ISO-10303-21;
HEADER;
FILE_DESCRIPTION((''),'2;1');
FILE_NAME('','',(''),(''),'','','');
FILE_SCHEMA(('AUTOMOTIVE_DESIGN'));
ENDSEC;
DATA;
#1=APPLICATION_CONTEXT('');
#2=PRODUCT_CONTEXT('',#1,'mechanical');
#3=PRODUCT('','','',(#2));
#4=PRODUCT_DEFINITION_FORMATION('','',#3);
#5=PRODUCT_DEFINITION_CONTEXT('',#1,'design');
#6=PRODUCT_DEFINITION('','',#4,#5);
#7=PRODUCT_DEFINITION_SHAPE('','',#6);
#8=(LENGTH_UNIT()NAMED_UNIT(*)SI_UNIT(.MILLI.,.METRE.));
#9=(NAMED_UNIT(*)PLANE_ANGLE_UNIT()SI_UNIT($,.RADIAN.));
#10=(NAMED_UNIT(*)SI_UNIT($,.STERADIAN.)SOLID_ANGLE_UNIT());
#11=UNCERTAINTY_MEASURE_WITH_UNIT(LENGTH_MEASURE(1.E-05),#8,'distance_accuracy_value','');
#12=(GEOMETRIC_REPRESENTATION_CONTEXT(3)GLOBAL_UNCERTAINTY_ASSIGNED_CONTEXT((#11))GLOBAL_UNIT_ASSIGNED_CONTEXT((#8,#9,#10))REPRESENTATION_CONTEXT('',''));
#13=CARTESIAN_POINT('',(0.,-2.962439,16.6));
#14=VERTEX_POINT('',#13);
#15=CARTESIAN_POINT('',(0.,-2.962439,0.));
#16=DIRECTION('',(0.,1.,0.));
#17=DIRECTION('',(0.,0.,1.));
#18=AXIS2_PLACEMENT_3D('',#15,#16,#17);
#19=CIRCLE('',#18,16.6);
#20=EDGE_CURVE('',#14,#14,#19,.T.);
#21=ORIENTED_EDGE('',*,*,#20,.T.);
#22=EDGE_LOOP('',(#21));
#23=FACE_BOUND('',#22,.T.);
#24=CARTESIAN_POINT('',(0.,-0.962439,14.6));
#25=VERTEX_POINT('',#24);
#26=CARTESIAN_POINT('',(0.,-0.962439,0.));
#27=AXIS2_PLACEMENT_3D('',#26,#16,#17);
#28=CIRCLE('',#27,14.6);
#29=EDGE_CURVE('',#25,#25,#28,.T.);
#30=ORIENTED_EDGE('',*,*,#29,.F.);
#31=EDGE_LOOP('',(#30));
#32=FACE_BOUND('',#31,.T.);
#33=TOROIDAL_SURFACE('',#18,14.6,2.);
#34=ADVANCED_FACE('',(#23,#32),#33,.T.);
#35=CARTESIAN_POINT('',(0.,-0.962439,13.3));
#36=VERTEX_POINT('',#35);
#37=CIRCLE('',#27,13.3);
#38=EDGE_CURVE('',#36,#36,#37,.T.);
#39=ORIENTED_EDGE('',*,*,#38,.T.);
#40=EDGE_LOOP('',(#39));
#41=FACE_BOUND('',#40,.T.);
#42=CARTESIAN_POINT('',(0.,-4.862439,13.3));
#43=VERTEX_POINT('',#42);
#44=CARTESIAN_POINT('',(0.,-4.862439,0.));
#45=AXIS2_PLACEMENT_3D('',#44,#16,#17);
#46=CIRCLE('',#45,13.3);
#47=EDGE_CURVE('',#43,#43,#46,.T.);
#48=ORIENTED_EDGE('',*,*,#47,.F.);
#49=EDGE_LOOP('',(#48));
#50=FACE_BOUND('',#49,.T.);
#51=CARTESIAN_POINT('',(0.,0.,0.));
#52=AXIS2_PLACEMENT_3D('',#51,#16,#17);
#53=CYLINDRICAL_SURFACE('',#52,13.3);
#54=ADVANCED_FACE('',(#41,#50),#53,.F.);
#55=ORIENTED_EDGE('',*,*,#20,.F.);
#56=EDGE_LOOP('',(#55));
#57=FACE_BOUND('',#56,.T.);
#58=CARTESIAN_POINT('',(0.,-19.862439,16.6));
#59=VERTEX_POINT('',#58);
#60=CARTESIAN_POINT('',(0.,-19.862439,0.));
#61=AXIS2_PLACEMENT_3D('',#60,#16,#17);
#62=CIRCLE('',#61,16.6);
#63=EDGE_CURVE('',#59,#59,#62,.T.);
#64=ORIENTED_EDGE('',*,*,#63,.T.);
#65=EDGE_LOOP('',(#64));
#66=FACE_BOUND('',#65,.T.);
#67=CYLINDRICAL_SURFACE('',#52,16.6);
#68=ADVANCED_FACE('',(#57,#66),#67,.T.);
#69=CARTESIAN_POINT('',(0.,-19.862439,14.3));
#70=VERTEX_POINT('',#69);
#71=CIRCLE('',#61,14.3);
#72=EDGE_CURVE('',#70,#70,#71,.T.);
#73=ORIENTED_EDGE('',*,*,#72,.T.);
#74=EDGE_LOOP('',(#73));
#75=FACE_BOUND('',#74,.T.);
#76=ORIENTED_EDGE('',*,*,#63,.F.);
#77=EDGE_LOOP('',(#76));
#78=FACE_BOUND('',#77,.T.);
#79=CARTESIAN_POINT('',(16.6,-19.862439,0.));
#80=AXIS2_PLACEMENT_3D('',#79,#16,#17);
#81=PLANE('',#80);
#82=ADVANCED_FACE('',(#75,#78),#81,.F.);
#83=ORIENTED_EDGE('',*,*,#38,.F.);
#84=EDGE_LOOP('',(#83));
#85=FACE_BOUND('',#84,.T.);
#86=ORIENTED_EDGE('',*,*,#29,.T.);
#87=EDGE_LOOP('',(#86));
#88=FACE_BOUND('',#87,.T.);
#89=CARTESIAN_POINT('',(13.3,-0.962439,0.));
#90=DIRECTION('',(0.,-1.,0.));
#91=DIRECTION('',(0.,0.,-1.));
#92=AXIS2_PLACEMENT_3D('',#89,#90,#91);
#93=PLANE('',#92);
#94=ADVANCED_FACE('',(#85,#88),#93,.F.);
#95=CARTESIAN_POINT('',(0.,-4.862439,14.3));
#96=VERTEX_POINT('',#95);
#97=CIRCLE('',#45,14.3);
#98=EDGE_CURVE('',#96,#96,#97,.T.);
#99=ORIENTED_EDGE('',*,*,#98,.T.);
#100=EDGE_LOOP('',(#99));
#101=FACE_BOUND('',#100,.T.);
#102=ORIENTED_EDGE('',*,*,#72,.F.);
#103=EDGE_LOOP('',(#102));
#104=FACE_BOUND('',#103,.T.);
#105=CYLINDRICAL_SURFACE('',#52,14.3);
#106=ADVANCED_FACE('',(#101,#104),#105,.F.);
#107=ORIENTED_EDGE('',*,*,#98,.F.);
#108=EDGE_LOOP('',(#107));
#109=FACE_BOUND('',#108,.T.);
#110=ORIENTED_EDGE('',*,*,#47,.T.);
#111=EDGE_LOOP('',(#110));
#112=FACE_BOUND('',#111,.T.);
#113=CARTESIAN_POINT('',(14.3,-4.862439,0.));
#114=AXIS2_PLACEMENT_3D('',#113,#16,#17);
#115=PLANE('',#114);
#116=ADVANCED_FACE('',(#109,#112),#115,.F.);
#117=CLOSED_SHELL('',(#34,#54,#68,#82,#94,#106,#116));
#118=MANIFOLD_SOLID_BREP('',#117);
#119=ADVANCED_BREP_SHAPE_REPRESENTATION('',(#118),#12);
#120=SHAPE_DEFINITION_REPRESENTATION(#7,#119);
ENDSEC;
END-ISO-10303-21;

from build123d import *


with BuildPart() as part:
    # Sketch1 → Revolve1 (revolve)
    with BuildSketch(Plane.XY, mode=Mode.PRIVATE) as revolve1_sk:
        with BuildLine():
            Line((14.3, -19.862439096), (14.3, -4.862439096))
            Line((14.3, -4.862439096), (13.3, -4.862439096))
            Line((13.3, -4.862439096), (13.3, -0.962439096))
            Line((13.3, -0.962439096), (14.6, -0.962439096))
            ThreePointArc((14.6, -0.962439096), (16.014213562, -1.548225533), (16.6, -2.962439096))
            Line((16.6, -2.962439096), (16.6, -19.862439096))
            Line((16.6, -19.862439096), (14.3, -19.862439096))
        make_face()
    revolve(revolve1_sk.sketch.rotate(Axis((0, 0, 0), (0, -1, 0)), 90), axis=Axis((0, 0, 0), (0, -1, 0)))


solid = part.part
